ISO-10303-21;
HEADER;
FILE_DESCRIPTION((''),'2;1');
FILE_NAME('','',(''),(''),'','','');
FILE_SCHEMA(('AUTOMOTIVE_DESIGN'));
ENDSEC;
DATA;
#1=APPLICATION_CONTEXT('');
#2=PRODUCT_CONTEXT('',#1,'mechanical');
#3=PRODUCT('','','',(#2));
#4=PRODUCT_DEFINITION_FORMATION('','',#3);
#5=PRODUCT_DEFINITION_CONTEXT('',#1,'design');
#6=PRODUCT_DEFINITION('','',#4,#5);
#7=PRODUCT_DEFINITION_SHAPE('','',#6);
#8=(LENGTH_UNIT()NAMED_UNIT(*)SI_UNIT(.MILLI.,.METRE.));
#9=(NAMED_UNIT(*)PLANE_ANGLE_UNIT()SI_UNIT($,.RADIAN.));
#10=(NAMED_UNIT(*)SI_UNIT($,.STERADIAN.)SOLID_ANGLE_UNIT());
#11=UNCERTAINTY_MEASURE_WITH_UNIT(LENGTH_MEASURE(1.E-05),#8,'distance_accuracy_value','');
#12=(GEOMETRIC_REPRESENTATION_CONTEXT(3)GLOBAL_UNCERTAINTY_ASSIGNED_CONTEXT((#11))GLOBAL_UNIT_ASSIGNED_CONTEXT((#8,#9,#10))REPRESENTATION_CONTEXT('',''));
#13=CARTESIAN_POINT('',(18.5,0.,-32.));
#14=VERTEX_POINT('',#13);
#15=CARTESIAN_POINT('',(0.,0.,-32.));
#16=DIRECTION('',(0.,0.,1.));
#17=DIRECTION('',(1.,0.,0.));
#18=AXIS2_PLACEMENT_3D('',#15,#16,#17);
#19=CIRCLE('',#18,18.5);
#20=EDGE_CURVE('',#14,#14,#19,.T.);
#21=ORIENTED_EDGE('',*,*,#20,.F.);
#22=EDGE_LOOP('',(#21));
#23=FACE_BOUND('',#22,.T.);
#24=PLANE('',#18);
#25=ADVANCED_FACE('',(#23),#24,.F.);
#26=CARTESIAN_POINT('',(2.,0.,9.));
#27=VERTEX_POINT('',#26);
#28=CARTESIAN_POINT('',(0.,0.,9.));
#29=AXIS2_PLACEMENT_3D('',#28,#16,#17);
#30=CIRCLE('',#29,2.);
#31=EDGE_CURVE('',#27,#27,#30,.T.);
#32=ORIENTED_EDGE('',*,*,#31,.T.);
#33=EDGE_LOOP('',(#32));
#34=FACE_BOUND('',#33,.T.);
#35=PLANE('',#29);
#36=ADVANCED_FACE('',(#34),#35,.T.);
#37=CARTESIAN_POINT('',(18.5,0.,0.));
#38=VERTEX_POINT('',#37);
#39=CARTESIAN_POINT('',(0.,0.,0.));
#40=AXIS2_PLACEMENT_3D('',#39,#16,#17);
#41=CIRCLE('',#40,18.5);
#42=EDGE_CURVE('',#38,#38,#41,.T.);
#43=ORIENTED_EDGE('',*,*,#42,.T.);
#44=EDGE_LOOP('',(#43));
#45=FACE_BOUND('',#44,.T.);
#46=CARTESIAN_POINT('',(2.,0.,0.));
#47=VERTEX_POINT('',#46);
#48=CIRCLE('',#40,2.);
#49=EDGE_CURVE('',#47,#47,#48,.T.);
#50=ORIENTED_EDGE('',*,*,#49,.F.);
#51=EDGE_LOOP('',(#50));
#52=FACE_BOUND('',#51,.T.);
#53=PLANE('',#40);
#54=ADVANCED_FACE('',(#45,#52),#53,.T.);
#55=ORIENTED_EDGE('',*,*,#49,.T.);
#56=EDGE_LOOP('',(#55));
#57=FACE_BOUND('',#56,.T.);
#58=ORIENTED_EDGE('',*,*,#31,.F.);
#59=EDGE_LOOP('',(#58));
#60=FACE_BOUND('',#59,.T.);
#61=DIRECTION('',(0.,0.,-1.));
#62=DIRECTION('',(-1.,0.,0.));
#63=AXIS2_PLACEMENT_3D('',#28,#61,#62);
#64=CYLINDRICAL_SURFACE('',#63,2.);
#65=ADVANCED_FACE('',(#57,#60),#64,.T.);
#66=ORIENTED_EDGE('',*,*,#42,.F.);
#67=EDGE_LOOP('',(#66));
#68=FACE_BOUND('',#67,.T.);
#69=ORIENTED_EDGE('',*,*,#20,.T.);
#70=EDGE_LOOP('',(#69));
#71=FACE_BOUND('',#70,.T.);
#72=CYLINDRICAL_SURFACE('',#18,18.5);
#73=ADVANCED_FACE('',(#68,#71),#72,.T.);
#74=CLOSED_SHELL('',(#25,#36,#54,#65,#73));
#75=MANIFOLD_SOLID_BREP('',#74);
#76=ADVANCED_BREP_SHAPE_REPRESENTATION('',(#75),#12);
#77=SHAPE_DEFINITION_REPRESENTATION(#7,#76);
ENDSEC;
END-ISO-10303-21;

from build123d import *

# Parameters (mm, degrees)
SKETCH2_R           = 18.5
BOSS_EXTRUDE1_DEPTH = 32
SKETCH3_R           = 2
BOSS_EXTRUDE3_DEPTH = 9


with BuildPart() as part:
    # Sketch2 → Boss-Extrude1 (new body)
    with BuildSketch(Plane.XY):
        Circle(SKETCH2_R)
    extrude(amount=-BOSS_EXTRUDE1_DEPTH)

    # Sketch3 → Boss-Extrude3 (add)
    with BuildSketch(Plane.XY):
        Circle(SKETCH3_R)
    extrude(amount=BOSS_EXTRUDE3_DEPTH)


solid = part.part
